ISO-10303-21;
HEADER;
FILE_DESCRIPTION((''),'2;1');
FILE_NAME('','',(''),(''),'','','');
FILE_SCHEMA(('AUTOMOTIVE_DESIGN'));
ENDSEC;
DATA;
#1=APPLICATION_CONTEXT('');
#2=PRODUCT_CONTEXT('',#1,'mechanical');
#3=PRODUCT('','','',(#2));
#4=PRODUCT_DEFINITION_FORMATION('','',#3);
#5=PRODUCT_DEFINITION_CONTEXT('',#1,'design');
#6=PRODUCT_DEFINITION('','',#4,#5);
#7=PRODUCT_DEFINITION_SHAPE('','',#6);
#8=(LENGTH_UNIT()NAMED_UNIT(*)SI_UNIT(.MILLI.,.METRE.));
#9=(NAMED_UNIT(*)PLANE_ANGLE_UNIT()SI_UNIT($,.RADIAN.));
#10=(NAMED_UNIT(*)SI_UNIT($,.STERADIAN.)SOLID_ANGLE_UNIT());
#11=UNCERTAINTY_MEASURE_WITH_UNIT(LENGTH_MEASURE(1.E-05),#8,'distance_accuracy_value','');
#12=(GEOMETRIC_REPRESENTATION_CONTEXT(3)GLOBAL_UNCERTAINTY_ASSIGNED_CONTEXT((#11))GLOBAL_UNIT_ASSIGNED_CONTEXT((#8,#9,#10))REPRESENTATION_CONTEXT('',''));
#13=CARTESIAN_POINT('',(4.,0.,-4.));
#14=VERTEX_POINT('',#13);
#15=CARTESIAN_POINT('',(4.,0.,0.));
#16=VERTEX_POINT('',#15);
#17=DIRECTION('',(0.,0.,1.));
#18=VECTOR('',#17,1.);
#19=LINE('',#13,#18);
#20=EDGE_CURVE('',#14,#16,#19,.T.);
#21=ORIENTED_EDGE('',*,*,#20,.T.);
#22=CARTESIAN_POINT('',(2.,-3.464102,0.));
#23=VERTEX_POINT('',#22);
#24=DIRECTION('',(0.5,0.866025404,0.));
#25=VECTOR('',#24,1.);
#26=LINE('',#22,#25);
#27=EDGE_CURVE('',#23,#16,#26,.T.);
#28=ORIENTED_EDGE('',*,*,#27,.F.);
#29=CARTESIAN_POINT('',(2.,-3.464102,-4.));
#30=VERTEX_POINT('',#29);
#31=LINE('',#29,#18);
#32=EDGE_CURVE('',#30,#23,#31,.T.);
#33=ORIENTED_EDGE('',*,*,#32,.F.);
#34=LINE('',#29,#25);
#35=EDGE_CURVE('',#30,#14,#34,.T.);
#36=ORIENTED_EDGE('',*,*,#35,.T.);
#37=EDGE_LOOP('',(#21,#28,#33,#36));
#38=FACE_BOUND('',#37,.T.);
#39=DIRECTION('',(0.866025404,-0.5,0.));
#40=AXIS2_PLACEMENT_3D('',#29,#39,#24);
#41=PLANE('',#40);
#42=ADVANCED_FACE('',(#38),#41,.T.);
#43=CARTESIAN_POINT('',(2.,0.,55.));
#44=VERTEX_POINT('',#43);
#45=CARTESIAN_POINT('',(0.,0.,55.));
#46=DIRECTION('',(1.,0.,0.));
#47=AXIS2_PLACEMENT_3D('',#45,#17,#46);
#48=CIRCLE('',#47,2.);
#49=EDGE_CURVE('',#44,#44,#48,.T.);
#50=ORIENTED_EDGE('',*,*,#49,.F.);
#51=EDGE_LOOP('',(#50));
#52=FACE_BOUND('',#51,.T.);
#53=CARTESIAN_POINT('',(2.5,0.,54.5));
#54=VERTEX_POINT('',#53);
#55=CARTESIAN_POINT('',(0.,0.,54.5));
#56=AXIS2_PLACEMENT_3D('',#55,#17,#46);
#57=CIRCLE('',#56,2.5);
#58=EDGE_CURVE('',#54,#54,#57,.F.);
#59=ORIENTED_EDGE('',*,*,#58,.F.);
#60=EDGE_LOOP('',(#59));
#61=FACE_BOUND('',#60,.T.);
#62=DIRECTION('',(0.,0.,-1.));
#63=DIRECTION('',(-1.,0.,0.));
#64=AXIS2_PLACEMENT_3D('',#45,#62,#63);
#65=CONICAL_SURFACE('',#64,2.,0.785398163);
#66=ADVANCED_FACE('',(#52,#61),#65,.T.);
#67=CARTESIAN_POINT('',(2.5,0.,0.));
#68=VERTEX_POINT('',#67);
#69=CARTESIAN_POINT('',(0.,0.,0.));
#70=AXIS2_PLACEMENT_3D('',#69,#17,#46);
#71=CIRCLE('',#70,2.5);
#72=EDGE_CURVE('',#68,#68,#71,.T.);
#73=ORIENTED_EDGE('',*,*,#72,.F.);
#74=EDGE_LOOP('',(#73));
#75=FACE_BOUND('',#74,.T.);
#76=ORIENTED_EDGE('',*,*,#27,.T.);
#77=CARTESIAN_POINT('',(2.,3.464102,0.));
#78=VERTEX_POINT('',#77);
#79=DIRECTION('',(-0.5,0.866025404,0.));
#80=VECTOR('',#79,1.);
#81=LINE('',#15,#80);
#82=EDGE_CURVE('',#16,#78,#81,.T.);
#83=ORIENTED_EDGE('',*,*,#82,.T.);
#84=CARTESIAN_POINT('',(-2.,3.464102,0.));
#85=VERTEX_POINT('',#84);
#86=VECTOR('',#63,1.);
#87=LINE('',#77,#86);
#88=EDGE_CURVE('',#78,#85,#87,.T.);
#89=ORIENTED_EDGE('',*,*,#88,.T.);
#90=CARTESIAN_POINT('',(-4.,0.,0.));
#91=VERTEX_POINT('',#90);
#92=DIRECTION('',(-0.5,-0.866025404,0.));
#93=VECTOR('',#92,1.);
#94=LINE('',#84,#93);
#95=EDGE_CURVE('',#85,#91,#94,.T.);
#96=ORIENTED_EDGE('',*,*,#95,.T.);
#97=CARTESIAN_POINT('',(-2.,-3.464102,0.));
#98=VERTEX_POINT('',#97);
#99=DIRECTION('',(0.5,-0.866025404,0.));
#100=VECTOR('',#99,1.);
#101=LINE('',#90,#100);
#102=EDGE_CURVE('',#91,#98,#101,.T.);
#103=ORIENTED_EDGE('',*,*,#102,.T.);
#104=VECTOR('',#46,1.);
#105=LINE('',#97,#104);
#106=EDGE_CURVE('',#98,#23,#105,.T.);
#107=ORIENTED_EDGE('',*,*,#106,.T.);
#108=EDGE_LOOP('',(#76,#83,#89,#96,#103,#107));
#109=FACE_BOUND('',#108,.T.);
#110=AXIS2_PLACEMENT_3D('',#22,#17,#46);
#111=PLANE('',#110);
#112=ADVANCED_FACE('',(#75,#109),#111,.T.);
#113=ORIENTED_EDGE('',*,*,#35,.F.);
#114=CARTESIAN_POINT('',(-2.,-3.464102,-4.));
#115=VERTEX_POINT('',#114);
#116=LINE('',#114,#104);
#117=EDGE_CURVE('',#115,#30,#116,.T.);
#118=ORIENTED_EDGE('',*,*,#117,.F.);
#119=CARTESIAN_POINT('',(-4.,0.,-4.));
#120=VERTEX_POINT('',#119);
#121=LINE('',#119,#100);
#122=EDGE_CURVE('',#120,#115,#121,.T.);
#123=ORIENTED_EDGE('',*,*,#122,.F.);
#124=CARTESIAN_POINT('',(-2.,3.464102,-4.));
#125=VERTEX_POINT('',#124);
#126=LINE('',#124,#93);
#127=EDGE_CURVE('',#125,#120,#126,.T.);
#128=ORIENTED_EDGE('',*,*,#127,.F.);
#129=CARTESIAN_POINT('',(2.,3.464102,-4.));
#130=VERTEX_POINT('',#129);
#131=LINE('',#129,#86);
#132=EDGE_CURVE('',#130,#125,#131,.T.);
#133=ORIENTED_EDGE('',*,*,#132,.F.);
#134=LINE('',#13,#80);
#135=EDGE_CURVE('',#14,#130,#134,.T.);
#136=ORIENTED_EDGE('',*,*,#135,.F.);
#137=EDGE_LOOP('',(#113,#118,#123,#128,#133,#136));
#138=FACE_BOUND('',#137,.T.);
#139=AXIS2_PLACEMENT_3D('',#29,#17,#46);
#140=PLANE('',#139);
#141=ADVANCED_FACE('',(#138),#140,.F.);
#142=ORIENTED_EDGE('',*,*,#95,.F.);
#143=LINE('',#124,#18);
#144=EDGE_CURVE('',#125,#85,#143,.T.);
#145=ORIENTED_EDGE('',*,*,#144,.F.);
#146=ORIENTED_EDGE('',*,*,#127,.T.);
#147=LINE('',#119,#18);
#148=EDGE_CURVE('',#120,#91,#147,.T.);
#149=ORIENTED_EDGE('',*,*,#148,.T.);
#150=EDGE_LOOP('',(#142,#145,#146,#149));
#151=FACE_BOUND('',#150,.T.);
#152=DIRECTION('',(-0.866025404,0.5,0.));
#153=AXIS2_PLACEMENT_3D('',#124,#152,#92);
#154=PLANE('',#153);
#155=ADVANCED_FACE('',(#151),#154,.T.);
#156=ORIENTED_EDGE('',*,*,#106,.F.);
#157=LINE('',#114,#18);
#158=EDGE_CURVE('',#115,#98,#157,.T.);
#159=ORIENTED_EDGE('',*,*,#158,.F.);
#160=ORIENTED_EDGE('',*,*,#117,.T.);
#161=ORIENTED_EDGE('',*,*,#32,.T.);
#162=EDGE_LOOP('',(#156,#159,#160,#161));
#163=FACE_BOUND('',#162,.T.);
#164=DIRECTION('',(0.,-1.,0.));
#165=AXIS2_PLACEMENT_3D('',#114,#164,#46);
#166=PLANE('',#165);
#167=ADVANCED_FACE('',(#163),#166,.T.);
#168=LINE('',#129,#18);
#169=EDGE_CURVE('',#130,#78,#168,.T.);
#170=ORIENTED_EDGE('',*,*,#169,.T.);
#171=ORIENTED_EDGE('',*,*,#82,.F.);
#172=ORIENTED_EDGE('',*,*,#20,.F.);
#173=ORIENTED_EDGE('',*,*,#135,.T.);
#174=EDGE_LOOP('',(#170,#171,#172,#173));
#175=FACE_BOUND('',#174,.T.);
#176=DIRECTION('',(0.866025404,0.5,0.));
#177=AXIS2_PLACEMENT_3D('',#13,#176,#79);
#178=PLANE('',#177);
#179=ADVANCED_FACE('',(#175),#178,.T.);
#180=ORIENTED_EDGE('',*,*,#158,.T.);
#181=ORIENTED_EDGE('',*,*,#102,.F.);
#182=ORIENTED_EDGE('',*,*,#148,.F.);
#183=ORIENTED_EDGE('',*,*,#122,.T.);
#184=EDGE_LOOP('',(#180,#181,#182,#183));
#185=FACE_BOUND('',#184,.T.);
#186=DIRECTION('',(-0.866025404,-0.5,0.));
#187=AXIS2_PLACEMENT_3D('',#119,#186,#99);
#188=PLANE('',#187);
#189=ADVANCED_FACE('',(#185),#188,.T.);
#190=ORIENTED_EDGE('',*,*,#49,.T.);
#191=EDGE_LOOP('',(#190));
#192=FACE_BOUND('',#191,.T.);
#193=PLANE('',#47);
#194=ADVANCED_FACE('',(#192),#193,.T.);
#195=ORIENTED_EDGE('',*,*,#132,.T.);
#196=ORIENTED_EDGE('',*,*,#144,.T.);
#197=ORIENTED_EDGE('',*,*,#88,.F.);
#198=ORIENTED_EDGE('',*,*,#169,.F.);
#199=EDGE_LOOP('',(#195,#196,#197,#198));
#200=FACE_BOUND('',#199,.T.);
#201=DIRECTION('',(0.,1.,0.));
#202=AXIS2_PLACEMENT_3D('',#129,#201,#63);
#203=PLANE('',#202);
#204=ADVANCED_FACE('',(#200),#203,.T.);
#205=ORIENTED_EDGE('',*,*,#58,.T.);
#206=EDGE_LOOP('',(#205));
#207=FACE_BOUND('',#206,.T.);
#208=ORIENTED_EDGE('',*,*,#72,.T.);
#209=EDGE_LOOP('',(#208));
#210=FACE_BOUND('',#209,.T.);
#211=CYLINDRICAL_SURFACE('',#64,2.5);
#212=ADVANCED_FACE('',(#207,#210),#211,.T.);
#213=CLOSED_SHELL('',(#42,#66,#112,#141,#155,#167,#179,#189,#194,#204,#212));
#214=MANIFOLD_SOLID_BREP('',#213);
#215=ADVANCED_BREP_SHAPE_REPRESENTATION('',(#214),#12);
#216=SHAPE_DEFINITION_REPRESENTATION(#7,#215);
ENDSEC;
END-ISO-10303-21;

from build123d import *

# Parameters (mm, degrees)
SKETCH_1_R      = 2.5
EXTRUDE_1_DEPTH = 55
EXTRUDE_2_DEPTH = 4
CHAMFER_1_SIZE  = 0.5


with BuildPart() as part:
    # 草图1 → 拉伸1 (new body)
    with BuildSketch(Plane.XY):
        Circle(SKETCH_1_R)
    extrude(amount=EXTRUDE_1_DEPTH)

    # 草图2 → 拉伸2 (add)
    with BuildSketch(Plane.XY):
        Polygon((2, -3.464101615), (4, 0), (2, 3.464101615), (-2, 3.464101615), (-4, 0), (-2, -3.464101615), align=None)
    extrude(amount=-EXTRUDE_2_DEPTH)

    # 倒角1
    chamfer_1_edges = [part.edges().sort_by_distance(p)[0] for p in [
        (-2.5, 0, 55),
    ]]
    chamfer(chamfer_1_edges, length=CHAMFER_1_SIZE)


solid = part.part
